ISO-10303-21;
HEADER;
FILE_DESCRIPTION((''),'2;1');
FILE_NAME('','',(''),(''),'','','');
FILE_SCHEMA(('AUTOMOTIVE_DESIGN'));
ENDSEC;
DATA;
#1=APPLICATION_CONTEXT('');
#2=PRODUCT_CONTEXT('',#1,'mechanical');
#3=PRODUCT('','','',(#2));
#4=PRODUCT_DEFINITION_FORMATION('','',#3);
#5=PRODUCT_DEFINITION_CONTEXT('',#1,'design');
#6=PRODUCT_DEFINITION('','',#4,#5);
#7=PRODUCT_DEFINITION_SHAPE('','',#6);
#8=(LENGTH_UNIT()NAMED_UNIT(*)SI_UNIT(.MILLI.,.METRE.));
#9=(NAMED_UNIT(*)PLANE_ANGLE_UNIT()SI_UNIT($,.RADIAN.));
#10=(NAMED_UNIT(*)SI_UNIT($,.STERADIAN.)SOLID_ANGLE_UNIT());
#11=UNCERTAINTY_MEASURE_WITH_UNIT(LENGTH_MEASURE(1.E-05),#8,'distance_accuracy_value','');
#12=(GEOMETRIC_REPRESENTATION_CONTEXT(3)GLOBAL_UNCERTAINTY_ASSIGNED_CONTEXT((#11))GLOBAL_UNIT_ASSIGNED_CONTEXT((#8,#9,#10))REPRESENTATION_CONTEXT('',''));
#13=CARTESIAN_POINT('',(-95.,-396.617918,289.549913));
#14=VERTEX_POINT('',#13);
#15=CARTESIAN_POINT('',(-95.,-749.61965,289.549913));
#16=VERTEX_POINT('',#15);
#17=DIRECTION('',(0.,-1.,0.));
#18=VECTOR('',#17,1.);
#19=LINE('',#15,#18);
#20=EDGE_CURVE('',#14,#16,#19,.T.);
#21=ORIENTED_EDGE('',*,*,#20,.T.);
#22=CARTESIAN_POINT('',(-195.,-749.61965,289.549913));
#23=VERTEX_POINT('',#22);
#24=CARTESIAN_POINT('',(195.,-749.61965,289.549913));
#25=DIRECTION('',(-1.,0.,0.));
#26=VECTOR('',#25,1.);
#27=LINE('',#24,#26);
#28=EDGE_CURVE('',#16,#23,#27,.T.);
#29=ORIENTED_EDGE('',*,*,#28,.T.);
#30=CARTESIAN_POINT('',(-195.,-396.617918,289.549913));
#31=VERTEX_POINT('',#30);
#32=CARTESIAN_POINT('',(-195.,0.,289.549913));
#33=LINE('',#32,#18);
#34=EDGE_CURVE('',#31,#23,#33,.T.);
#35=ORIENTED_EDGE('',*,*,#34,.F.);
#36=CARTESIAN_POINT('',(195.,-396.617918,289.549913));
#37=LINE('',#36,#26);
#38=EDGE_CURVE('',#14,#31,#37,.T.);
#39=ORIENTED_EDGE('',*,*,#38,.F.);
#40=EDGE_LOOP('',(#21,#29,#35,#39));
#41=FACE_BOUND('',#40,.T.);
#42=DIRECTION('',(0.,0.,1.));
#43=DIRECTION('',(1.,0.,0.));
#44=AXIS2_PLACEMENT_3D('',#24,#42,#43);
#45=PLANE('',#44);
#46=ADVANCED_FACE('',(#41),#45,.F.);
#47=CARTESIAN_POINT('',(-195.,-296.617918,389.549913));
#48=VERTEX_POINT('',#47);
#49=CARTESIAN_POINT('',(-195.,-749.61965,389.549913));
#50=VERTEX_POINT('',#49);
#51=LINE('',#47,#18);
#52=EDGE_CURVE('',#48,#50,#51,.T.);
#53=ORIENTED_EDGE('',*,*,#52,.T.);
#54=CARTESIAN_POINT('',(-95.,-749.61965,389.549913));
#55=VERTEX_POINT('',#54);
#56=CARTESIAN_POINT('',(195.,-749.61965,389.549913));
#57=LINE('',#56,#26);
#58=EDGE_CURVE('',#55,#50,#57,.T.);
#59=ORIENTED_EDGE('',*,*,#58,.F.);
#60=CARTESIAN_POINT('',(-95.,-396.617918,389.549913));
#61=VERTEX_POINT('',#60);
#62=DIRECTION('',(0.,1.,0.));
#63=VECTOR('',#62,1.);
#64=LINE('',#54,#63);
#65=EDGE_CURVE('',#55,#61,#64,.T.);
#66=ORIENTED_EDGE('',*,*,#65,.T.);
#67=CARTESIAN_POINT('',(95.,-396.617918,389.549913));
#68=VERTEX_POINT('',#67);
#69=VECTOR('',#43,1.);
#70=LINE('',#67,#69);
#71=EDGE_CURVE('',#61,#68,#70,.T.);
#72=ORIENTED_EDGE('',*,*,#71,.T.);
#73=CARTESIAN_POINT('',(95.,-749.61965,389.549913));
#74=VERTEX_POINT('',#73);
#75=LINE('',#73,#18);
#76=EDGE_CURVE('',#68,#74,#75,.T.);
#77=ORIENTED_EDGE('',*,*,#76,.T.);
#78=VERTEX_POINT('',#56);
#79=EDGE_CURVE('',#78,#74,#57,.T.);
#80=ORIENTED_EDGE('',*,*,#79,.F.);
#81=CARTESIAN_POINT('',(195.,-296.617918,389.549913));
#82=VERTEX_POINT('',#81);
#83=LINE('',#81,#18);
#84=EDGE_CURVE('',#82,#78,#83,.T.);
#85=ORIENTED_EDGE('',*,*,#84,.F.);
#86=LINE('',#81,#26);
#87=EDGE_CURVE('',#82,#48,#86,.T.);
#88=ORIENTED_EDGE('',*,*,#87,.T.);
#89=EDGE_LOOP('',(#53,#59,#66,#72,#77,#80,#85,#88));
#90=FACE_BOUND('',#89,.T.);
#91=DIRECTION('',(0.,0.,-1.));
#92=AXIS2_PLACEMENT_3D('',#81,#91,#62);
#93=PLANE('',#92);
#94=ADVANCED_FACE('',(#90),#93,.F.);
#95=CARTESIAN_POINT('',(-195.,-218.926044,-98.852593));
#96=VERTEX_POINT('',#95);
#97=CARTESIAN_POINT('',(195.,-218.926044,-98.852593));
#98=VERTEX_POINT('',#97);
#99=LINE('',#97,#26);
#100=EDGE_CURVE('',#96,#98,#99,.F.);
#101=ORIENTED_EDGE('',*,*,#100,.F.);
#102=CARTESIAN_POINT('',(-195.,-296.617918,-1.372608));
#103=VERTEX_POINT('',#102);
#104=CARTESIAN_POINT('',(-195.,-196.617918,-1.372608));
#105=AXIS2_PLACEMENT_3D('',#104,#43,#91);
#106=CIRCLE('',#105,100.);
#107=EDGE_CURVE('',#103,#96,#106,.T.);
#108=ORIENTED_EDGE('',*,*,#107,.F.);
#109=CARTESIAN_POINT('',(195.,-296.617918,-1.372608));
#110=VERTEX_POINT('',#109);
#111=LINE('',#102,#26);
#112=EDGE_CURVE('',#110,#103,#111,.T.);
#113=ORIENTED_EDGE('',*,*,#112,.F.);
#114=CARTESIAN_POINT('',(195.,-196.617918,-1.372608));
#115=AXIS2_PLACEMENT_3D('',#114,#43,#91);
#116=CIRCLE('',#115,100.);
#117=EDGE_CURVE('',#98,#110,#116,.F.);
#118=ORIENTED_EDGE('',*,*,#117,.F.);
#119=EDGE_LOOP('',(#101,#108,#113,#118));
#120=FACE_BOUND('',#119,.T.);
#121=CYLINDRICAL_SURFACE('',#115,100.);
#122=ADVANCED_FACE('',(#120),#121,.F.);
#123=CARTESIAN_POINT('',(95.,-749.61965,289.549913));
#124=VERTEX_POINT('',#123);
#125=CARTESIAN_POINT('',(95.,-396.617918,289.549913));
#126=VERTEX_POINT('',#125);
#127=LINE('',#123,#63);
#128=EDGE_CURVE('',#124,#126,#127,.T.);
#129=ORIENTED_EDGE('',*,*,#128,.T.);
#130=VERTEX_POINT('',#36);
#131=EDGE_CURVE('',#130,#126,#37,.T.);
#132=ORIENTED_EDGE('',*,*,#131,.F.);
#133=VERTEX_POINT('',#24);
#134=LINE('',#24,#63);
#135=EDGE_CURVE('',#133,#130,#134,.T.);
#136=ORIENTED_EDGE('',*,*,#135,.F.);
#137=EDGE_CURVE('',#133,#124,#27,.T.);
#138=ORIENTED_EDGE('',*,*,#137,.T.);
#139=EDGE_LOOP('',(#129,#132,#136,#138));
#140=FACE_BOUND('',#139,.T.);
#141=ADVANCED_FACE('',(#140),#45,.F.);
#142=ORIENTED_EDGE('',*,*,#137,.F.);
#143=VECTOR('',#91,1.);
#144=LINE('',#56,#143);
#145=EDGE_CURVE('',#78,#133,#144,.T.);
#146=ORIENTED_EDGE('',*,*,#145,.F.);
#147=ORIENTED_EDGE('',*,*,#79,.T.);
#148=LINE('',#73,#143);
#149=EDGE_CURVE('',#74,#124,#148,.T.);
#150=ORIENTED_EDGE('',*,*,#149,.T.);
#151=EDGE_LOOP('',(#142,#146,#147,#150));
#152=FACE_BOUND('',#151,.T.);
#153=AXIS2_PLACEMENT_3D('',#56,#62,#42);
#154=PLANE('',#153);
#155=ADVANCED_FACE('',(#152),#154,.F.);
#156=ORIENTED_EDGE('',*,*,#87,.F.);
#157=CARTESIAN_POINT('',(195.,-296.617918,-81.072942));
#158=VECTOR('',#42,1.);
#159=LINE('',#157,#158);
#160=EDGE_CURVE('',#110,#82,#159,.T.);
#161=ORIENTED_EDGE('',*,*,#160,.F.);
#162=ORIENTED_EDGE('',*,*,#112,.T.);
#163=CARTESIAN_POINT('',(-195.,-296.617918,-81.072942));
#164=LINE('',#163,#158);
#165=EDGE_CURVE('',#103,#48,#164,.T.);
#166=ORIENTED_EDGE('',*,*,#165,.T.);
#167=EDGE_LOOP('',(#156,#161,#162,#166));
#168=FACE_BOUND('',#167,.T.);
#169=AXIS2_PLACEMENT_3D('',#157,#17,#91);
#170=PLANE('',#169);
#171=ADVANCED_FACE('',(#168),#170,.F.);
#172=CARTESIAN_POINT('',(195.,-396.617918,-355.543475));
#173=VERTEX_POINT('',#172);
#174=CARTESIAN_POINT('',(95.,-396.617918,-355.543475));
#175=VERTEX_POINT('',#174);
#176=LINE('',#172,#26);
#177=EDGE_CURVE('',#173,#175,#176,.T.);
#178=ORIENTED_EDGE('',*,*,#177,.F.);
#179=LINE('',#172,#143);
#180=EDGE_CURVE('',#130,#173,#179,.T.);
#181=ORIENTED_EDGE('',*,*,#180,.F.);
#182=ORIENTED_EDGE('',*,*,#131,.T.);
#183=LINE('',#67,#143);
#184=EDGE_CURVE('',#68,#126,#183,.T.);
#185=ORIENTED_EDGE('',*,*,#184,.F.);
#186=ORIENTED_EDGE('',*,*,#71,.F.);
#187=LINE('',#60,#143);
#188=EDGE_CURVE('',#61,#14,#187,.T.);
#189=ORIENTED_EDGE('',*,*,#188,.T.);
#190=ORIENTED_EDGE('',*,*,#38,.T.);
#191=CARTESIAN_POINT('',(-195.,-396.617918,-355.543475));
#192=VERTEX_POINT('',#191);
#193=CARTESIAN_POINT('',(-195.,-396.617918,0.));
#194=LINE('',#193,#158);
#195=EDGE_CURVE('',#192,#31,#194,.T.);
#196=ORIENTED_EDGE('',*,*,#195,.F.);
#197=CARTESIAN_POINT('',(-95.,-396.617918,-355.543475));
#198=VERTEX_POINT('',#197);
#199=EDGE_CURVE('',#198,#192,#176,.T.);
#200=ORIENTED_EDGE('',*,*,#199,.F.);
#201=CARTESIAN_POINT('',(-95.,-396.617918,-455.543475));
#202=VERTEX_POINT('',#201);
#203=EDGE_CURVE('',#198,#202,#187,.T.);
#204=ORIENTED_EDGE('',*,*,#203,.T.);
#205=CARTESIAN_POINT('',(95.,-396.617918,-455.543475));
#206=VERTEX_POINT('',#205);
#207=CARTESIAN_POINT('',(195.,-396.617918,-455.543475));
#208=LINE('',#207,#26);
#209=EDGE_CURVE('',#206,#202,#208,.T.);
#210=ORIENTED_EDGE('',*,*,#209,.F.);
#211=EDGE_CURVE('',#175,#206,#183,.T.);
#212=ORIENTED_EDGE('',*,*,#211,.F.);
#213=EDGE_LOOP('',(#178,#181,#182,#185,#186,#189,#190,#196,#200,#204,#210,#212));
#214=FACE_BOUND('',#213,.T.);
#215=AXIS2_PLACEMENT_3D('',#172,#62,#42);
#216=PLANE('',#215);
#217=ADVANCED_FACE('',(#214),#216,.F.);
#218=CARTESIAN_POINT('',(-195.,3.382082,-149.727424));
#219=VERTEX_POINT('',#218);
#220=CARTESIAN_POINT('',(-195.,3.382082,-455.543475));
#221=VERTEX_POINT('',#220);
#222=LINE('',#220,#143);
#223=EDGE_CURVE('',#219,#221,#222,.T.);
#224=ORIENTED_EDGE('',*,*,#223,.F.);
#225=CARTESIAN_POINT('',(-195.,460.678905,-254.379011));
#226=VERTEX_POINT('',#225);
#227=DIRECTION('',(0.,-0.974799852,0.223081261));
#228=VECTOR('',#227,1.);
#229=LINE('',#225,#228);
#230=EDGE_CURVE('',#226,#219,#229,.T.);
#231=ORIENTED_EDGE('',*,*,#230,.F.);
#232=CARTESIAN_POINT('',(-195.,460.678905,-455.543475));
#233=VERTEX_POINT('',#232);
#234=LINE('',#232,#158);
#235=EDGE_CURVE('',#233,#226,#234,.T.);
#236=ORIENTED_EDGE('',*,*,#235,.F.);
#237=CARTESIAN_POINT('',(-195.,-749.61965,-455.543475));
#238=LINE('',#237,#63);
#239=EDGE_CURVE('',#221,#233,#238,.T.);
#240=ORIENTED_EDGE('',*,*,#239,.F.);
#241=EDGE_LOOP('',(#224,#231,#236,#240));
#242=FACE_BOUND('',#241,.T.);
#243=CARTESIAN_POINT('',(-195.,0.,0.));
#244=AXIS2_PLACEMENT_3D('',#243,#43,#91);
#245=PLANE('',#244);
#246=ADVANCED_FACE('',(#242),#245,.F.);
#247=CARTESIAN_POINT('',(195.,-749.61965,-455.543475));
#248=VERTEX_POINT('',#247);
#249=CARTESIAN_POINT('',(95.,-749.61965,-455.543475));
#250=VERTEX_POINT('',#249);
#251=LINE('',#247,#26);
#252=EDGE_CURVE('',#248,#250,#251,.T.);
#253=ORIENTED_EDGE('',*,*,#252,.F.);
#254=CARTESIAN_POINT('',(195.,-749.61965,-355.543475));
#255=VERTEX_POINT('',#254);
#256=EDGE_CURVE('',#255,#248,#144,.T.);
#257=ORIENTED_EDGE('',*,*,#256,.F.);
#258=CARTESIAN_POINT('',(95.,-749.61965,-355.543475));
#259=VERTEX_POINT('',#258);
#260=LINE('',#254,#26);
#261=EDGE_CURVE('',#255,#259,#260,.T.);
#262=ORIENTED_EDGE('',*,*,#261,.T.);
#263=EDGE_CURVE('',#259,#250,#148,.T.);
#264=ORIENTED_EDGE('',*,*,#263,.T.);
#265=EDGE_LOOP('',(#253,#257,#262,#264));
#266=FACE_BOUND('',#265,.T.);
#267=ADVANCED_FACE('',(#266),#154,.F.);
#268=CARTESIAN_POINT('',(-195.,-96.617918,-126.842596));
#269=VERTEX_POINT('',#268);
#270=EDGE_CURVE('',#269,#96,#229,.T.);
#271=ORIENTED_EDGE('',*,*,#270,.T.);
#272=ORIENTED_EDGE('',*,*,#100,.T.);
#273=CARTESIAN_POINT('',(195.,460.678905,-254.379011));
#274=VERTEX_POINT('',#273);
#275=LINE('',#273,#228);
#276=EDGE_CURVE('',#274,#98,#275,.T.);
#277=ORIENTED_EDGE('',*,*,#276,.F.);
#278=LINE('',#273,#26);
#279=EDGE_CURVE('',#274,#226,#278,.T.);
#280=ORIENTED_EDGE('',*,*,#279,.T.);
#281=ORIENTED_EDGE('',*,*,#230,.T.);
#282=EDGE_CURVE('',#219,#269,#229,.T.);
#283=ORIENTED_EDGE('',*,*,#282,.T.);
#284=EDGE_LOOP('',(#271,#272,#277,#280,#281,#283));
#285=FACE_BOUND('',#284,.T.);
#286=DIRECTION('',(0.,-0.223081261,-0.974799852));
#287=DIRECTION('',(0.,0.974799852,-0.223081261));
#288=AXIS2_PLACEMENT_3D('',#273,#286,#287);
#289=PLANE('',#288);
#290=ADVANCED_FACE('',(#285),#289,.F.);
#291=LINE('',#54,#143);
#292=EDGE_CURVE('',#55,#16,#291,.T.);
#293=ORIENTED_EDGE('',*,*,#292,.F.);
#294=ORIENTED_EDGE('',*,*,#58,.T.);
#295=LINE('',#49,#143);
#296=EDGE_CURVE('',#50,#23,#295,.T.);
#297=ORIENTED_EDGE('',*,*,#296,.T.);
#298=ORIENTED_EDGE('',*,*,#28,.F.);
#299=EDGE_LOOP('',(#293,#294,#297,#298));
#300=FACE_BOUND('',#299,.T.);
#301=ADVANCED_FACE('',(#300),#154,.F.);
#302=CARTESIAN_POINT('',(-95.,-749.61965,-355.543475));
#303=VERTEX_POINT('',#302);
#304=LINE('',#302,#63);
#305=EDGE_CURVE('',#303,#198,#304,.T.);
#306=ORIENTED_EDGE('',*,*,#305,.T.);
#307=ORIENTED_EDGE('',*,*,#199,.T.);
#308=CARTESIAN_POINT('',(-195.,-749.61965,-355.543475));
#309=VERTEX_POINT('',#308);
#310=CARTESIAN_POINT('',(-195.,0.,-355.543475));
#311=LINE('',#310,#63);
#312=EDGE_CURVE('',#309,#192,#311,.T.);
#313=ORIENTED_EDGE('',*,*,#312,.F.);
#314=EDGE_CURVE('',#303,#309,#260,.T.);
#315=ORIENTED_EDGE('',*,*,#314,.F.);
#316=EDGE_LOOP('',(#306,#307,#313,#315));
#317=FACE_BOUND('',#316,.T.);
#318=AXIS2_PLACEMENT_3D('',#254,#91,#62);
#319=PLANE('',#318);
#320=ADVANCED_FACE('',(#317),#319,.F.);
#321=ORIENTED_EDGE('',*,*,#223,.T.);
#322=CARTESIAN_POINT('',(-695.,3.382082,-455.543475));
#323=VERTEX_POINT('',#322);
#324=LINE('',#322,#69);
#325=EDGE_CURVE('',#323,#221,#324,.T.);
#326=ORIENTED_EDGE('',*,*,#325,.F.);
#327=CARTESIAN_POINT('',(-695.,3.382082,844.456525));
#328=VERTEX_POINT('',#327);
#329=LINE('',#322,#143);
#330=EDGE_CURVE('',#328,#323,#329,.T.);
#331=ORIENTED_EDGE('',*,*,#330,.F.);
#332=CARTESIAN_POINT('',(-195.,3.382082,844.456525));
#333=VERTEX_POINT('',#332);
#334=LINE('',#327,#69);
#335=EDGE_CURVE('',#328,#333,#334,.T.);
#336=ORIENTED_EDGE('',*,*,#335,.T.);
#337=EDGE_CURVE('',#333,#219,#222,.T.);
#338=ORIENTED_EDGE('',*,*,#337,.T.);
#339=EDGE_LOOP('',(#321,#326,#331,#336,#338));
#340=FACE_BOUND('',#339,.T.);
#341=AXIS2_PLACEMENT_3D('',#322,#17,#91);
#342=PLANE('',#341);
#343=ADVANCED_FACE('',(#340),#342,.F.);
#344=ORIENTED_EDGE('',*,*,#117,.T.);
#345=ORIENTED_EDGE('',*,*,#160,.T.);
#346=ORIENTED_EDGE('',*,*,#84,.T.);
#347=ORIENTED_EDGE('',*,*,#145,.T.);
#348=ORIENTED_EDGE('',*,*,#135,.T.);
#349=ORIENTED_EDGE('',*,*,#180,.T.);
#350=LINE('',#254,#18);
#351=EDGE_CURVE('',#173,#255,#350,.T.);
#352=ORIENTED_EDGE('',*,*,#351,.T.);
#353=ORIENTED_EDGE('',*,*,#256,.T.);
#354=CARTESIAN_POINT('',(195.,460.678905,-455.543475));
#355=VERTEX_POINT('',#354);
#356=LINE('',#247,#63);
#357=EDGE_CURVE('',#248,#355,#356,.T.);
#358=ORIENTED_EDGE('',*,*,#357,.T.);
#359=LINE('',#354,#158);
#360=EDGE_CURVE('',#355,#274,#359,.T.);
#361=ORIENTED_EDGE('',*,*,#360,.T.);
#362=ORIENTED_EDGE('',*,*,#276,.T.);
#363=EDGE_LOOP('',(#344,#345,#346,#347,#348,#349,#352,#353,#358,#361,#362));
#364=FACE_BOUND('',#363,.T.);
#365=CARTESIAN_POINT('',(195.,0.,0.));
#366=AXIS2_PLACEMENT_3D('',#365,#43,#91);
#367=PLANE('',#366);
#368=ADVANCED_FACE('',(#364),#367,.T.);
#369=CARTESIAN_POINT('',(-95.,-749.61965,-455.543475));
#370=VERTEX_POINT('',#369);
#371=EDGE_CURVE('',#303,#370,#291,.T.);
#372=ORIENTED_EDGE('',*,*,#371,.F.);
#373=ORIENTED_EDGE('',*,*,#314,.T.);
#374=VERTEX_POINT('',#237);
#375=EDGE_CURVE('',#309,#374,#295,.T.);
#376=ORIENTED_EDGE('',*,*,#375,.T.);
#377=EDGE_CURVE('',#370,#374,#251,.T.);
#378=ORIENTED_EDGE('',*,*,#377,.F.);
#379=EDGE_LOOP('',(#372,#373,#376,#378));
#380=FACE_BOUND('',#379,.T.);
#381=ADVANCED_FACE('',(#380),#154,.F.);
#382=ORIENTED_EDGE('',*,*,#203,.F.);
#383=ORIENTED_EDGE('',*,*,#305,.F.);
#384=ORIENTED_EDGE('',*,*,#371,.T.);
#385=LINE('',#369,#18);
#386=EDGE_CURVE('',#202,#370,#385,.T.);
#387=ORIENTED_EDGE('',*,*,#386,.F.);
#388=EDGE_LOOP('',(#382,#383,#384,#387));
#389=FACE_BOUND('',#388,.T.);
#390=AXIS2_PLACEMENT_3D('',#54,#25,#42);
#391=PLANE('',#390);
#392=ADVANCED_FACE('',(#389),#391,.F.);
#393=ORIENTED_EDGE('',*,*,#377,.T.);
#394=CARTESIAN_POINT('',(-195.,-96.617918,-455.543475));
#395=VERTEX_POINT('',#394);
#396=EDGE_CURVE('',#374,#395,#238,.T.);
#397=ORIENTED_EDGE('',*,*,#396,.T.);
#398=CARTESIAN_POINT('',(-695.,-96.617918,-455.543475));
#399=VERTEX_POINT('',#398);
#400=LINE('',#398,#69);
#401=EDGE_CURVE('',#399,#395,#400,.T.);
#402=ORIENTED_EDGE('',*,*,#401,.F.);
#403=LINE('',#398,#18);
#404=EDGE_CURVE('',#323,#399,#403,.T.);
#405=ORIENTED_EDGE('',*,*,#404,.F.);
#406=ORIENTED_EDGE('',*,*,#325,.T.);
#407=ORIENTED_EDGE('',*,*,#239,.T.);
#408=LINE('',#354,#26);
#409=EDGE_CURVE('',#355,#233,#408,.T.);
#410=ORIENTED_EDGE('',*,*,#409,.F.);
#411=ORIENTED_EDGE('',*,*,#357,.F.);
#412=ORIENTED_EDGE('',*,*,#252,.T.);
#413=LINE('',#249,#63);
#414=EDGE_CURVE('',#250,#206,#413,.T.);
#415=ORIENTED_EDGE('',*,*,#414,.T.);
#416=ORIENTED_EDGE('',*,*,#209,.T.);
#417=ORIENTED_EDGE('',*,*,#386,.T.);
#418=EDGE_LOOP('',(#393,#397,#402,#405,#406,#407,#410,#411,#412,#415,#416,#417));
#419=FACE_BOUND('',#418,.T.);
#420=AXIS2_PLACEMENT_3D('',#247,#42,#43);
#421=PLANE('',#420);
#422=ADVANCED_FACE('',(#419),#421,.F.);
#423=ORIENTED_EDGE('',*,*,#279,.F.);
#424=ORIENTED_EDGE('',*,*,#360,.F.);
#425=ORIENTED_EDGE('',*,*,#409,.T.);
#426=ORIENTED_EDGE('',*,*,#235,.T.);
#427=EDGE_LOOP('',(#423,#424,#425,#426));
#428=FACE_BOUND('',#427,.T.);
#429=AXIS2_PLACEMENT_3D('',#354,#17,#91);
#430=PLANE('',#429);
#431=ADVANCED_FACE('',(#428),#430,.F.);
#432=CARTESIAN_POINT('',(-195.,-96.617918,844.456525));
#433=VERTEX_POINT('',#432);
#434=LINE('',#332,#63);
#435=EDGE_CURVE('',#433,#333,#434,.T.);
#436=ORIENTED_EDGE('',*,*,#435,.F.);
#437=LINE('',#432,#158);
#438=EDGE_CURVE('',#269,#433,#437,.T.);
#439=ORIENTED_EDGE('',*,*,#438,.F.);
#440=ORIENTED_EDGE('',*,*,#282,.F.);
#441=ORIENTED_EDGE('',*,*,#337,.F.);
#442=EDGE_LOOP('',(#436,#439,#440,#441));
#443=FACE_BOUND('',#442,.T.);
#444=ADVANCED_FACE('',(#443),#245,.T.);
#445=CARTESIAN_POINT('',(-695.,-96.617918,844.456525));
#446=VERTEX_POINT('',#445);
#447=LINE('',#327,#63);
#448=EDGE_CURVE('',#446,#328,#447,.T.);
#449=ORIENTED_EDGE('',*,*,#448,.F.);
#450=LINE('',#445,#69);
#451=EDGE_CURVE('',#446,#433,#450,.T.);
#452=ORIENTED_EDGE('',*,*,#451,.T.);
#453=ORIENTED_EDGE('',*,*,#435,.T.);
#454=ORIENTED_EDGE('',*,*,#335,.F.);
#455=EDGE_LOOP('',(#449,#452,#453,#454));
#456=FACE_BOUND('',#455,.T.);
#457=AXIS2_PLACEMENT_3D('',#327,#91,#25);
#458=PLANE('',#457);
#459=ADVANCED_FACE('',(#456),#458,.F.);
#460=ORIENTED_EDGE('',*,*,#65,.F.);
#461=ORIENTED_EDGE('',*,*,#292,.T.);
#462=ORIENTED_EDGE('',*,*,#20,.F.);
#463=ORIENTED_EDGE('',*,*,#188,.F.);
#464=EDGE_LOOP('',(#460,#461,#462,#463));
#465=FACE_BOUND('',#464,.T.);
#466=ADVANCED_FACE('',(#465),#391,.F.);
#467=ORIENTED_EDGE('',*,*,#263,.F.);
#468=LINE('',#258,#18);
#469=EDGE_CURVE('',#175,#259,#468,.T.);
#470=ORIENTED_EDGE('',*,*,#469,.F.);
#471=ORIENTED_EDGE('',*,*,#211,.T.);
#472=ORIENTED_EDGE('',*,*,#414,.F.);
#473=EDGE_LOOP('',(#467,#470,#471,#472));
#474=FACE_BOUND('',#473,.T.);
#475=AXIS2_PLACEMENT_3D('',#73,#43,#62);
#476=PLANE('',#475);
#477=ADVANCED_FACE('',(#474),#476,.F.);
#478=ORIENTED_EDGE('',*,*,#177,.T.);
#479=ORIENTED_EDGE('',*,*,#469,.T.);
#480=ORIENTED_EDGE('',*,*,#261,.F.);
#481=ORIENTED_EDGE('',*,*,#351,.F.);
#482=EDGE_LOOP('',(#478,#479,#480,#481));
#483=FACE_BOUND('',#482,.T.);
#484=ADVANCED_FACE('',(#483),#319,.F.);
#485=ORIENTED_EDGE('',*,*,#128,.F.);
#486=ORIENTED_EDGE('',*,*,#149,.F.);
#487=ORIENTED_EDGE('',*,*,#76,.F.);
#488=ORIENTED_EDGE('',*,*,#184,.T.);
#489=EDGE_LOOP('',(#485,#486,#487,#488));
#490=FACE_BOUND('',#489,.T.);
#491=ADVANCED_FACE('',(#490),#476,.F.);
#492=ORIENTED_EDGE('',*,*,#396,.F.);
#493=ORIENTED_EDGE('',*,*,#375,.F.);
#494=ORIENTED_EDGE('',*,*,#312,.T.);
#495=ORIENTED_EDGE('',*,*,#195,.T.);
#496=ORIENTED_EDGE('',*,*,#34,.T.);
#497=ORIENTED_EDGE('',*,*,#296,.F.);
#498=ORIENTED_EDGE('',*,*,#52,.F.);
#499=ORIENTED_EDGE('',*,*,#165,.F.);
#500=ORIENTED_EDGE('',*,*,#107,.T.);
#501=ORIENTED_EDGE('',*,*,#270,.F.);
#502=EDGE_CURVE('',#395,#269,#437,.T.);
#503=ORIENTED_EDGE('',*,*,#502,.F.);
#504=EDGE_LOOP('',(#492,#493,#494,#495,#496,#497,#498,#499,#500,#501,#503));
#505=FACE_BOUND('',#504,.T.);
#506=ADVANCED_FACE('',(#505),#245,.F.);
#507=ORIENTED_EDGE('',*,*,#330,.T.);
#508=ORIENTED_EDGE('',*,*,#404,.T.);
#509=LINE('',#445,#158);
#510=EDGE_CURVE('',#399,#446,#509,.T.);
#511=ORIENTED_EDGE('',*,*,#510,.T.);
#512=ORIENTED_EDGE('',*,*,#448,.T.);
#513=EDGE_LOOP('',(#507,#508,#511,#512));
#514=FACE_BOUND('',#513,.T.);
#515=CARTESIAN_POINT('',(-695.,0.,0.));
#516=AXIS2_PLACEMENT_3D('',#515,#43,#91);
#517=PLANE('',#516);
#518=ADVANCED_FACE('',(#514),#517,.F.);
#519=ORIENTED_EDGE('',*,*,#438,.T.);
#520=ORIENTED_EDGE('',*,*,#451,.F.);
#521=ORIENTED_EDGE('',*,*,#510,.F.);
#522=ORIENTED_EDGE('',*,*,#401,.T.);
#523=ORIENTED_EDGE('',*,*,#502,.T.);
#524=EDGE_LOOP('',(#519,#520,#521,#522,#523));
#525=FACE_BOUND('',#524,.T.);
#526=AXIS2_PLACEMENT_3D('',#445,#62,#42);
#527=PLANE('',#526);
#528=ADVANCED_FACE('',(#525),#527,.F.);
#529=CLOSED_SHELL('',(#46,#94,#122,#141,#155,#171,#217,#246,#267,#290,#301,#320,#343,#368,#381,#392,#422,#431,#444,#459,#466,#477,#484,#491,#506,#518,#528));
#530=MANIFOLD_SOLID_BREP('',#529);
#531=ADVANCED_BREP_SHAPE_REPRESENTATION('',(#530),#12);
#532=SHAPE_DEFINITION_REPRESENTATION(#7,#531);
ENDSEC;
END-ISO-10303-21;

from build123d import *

# Parameters (mm, degrees)
BOSS_EXTRUDE1_DEPTH     = 195
SKETCH2_W               = 645.093387862
SKETCH2_H               = 353.001731878
CUT_EXTRUDE1_DEPTH      = 1
CUT_EXTRUDE1_DEPTH_BACK = 391
FILLET1_R               = 100
SKETCH3_W               = 190
SKETCH3_H               = 353.001731878
CUT_EXTRUDE2_DEPTH      = 1
CUT_EXTRUDE2_DEPTH_BACK = 846.093387862
SKETCH4_W               = 1300
SKETCH4_H               = 100
BOSS_EXTRUDE2_DEPTH     = 500


with BuildPart() as part:
    # Sketch1 → Boss-Extrude1 (new body, symmetric)
    with BuildSketch(Plane(origin=(0, 0, 0), x_dir=(0, 0, -1), z_dir=(1, 0, 0))):
        Polygon((254.379010846, 460.67890474), (81.072942142, -296.617917801), (-389.549913064, -296.617917801), (-389.549913064, -749.619649679), (455.543474798, -749.619649679), (455.543474798, 460.67890474), align=None)
    extrude(amount=BOSS_EXTRUDE1_DEPTH, both=True)

    # Sketch2 → Cut-Extrude1 (cut, two sides)
    with BuildSketch(Plane.ZY.offset(195)) as cut_extrude1_sk:
        with Locations((-32.996780867, -573.11878374)):
            Rectangle(SKETCH2_W, SKETCH2_H)
    extrude(amount=CUT_EXTRUDE1_DEPTH, mode=Mode.SUBTRACT)
    extrude(cut_extrude1_sk.sketch, amount=-CUT_EXTRUDE1_DEPTH_BACK, mode=Mode.SUBTRACT)

    # Fillet1
    fillet1_edges = [part.edges().sort_by_distance(p)[0] for p in [
        (0, -296.617917801, -81.072942142),
    ]]
    fillet(fillet1_edges, radius=FILLET1_R)

    # Sketch3 → Cut-Extrude2 (cut, two sides)
    with BuildSketch(Plane(origin=(0, 0, -455.543474798), x_dir=(-1, 0, 0), z_dir=(0, 0, -1))) as cut_extrude2_sk:
        with Locations((0, -573.11878374)):
            Rectangle(SKETCH3_W, SKETCH3_H)
    extrude(amount=CUT_EXTRUDE2_DEPTH, mode=Mode.SUBTRACT)
    extrude(cut_extrude2_sk.sketch, amount=-CUT_EXTRUDE2_DEPTH_BACK, mode=Mode.SUBTRACT)

    # Sketch4 → Boss-Extrude2 (add)
    with BuildSketch(Plane.ZY.offset(195)):
        with Locations((194.456525202, -46.617917801)):
            Rectangle(SKETCH4_W, SKETCH4_H)
    extrude(amount=BOSS_EXTRUDE2_DEPTH)


solid = part.part
